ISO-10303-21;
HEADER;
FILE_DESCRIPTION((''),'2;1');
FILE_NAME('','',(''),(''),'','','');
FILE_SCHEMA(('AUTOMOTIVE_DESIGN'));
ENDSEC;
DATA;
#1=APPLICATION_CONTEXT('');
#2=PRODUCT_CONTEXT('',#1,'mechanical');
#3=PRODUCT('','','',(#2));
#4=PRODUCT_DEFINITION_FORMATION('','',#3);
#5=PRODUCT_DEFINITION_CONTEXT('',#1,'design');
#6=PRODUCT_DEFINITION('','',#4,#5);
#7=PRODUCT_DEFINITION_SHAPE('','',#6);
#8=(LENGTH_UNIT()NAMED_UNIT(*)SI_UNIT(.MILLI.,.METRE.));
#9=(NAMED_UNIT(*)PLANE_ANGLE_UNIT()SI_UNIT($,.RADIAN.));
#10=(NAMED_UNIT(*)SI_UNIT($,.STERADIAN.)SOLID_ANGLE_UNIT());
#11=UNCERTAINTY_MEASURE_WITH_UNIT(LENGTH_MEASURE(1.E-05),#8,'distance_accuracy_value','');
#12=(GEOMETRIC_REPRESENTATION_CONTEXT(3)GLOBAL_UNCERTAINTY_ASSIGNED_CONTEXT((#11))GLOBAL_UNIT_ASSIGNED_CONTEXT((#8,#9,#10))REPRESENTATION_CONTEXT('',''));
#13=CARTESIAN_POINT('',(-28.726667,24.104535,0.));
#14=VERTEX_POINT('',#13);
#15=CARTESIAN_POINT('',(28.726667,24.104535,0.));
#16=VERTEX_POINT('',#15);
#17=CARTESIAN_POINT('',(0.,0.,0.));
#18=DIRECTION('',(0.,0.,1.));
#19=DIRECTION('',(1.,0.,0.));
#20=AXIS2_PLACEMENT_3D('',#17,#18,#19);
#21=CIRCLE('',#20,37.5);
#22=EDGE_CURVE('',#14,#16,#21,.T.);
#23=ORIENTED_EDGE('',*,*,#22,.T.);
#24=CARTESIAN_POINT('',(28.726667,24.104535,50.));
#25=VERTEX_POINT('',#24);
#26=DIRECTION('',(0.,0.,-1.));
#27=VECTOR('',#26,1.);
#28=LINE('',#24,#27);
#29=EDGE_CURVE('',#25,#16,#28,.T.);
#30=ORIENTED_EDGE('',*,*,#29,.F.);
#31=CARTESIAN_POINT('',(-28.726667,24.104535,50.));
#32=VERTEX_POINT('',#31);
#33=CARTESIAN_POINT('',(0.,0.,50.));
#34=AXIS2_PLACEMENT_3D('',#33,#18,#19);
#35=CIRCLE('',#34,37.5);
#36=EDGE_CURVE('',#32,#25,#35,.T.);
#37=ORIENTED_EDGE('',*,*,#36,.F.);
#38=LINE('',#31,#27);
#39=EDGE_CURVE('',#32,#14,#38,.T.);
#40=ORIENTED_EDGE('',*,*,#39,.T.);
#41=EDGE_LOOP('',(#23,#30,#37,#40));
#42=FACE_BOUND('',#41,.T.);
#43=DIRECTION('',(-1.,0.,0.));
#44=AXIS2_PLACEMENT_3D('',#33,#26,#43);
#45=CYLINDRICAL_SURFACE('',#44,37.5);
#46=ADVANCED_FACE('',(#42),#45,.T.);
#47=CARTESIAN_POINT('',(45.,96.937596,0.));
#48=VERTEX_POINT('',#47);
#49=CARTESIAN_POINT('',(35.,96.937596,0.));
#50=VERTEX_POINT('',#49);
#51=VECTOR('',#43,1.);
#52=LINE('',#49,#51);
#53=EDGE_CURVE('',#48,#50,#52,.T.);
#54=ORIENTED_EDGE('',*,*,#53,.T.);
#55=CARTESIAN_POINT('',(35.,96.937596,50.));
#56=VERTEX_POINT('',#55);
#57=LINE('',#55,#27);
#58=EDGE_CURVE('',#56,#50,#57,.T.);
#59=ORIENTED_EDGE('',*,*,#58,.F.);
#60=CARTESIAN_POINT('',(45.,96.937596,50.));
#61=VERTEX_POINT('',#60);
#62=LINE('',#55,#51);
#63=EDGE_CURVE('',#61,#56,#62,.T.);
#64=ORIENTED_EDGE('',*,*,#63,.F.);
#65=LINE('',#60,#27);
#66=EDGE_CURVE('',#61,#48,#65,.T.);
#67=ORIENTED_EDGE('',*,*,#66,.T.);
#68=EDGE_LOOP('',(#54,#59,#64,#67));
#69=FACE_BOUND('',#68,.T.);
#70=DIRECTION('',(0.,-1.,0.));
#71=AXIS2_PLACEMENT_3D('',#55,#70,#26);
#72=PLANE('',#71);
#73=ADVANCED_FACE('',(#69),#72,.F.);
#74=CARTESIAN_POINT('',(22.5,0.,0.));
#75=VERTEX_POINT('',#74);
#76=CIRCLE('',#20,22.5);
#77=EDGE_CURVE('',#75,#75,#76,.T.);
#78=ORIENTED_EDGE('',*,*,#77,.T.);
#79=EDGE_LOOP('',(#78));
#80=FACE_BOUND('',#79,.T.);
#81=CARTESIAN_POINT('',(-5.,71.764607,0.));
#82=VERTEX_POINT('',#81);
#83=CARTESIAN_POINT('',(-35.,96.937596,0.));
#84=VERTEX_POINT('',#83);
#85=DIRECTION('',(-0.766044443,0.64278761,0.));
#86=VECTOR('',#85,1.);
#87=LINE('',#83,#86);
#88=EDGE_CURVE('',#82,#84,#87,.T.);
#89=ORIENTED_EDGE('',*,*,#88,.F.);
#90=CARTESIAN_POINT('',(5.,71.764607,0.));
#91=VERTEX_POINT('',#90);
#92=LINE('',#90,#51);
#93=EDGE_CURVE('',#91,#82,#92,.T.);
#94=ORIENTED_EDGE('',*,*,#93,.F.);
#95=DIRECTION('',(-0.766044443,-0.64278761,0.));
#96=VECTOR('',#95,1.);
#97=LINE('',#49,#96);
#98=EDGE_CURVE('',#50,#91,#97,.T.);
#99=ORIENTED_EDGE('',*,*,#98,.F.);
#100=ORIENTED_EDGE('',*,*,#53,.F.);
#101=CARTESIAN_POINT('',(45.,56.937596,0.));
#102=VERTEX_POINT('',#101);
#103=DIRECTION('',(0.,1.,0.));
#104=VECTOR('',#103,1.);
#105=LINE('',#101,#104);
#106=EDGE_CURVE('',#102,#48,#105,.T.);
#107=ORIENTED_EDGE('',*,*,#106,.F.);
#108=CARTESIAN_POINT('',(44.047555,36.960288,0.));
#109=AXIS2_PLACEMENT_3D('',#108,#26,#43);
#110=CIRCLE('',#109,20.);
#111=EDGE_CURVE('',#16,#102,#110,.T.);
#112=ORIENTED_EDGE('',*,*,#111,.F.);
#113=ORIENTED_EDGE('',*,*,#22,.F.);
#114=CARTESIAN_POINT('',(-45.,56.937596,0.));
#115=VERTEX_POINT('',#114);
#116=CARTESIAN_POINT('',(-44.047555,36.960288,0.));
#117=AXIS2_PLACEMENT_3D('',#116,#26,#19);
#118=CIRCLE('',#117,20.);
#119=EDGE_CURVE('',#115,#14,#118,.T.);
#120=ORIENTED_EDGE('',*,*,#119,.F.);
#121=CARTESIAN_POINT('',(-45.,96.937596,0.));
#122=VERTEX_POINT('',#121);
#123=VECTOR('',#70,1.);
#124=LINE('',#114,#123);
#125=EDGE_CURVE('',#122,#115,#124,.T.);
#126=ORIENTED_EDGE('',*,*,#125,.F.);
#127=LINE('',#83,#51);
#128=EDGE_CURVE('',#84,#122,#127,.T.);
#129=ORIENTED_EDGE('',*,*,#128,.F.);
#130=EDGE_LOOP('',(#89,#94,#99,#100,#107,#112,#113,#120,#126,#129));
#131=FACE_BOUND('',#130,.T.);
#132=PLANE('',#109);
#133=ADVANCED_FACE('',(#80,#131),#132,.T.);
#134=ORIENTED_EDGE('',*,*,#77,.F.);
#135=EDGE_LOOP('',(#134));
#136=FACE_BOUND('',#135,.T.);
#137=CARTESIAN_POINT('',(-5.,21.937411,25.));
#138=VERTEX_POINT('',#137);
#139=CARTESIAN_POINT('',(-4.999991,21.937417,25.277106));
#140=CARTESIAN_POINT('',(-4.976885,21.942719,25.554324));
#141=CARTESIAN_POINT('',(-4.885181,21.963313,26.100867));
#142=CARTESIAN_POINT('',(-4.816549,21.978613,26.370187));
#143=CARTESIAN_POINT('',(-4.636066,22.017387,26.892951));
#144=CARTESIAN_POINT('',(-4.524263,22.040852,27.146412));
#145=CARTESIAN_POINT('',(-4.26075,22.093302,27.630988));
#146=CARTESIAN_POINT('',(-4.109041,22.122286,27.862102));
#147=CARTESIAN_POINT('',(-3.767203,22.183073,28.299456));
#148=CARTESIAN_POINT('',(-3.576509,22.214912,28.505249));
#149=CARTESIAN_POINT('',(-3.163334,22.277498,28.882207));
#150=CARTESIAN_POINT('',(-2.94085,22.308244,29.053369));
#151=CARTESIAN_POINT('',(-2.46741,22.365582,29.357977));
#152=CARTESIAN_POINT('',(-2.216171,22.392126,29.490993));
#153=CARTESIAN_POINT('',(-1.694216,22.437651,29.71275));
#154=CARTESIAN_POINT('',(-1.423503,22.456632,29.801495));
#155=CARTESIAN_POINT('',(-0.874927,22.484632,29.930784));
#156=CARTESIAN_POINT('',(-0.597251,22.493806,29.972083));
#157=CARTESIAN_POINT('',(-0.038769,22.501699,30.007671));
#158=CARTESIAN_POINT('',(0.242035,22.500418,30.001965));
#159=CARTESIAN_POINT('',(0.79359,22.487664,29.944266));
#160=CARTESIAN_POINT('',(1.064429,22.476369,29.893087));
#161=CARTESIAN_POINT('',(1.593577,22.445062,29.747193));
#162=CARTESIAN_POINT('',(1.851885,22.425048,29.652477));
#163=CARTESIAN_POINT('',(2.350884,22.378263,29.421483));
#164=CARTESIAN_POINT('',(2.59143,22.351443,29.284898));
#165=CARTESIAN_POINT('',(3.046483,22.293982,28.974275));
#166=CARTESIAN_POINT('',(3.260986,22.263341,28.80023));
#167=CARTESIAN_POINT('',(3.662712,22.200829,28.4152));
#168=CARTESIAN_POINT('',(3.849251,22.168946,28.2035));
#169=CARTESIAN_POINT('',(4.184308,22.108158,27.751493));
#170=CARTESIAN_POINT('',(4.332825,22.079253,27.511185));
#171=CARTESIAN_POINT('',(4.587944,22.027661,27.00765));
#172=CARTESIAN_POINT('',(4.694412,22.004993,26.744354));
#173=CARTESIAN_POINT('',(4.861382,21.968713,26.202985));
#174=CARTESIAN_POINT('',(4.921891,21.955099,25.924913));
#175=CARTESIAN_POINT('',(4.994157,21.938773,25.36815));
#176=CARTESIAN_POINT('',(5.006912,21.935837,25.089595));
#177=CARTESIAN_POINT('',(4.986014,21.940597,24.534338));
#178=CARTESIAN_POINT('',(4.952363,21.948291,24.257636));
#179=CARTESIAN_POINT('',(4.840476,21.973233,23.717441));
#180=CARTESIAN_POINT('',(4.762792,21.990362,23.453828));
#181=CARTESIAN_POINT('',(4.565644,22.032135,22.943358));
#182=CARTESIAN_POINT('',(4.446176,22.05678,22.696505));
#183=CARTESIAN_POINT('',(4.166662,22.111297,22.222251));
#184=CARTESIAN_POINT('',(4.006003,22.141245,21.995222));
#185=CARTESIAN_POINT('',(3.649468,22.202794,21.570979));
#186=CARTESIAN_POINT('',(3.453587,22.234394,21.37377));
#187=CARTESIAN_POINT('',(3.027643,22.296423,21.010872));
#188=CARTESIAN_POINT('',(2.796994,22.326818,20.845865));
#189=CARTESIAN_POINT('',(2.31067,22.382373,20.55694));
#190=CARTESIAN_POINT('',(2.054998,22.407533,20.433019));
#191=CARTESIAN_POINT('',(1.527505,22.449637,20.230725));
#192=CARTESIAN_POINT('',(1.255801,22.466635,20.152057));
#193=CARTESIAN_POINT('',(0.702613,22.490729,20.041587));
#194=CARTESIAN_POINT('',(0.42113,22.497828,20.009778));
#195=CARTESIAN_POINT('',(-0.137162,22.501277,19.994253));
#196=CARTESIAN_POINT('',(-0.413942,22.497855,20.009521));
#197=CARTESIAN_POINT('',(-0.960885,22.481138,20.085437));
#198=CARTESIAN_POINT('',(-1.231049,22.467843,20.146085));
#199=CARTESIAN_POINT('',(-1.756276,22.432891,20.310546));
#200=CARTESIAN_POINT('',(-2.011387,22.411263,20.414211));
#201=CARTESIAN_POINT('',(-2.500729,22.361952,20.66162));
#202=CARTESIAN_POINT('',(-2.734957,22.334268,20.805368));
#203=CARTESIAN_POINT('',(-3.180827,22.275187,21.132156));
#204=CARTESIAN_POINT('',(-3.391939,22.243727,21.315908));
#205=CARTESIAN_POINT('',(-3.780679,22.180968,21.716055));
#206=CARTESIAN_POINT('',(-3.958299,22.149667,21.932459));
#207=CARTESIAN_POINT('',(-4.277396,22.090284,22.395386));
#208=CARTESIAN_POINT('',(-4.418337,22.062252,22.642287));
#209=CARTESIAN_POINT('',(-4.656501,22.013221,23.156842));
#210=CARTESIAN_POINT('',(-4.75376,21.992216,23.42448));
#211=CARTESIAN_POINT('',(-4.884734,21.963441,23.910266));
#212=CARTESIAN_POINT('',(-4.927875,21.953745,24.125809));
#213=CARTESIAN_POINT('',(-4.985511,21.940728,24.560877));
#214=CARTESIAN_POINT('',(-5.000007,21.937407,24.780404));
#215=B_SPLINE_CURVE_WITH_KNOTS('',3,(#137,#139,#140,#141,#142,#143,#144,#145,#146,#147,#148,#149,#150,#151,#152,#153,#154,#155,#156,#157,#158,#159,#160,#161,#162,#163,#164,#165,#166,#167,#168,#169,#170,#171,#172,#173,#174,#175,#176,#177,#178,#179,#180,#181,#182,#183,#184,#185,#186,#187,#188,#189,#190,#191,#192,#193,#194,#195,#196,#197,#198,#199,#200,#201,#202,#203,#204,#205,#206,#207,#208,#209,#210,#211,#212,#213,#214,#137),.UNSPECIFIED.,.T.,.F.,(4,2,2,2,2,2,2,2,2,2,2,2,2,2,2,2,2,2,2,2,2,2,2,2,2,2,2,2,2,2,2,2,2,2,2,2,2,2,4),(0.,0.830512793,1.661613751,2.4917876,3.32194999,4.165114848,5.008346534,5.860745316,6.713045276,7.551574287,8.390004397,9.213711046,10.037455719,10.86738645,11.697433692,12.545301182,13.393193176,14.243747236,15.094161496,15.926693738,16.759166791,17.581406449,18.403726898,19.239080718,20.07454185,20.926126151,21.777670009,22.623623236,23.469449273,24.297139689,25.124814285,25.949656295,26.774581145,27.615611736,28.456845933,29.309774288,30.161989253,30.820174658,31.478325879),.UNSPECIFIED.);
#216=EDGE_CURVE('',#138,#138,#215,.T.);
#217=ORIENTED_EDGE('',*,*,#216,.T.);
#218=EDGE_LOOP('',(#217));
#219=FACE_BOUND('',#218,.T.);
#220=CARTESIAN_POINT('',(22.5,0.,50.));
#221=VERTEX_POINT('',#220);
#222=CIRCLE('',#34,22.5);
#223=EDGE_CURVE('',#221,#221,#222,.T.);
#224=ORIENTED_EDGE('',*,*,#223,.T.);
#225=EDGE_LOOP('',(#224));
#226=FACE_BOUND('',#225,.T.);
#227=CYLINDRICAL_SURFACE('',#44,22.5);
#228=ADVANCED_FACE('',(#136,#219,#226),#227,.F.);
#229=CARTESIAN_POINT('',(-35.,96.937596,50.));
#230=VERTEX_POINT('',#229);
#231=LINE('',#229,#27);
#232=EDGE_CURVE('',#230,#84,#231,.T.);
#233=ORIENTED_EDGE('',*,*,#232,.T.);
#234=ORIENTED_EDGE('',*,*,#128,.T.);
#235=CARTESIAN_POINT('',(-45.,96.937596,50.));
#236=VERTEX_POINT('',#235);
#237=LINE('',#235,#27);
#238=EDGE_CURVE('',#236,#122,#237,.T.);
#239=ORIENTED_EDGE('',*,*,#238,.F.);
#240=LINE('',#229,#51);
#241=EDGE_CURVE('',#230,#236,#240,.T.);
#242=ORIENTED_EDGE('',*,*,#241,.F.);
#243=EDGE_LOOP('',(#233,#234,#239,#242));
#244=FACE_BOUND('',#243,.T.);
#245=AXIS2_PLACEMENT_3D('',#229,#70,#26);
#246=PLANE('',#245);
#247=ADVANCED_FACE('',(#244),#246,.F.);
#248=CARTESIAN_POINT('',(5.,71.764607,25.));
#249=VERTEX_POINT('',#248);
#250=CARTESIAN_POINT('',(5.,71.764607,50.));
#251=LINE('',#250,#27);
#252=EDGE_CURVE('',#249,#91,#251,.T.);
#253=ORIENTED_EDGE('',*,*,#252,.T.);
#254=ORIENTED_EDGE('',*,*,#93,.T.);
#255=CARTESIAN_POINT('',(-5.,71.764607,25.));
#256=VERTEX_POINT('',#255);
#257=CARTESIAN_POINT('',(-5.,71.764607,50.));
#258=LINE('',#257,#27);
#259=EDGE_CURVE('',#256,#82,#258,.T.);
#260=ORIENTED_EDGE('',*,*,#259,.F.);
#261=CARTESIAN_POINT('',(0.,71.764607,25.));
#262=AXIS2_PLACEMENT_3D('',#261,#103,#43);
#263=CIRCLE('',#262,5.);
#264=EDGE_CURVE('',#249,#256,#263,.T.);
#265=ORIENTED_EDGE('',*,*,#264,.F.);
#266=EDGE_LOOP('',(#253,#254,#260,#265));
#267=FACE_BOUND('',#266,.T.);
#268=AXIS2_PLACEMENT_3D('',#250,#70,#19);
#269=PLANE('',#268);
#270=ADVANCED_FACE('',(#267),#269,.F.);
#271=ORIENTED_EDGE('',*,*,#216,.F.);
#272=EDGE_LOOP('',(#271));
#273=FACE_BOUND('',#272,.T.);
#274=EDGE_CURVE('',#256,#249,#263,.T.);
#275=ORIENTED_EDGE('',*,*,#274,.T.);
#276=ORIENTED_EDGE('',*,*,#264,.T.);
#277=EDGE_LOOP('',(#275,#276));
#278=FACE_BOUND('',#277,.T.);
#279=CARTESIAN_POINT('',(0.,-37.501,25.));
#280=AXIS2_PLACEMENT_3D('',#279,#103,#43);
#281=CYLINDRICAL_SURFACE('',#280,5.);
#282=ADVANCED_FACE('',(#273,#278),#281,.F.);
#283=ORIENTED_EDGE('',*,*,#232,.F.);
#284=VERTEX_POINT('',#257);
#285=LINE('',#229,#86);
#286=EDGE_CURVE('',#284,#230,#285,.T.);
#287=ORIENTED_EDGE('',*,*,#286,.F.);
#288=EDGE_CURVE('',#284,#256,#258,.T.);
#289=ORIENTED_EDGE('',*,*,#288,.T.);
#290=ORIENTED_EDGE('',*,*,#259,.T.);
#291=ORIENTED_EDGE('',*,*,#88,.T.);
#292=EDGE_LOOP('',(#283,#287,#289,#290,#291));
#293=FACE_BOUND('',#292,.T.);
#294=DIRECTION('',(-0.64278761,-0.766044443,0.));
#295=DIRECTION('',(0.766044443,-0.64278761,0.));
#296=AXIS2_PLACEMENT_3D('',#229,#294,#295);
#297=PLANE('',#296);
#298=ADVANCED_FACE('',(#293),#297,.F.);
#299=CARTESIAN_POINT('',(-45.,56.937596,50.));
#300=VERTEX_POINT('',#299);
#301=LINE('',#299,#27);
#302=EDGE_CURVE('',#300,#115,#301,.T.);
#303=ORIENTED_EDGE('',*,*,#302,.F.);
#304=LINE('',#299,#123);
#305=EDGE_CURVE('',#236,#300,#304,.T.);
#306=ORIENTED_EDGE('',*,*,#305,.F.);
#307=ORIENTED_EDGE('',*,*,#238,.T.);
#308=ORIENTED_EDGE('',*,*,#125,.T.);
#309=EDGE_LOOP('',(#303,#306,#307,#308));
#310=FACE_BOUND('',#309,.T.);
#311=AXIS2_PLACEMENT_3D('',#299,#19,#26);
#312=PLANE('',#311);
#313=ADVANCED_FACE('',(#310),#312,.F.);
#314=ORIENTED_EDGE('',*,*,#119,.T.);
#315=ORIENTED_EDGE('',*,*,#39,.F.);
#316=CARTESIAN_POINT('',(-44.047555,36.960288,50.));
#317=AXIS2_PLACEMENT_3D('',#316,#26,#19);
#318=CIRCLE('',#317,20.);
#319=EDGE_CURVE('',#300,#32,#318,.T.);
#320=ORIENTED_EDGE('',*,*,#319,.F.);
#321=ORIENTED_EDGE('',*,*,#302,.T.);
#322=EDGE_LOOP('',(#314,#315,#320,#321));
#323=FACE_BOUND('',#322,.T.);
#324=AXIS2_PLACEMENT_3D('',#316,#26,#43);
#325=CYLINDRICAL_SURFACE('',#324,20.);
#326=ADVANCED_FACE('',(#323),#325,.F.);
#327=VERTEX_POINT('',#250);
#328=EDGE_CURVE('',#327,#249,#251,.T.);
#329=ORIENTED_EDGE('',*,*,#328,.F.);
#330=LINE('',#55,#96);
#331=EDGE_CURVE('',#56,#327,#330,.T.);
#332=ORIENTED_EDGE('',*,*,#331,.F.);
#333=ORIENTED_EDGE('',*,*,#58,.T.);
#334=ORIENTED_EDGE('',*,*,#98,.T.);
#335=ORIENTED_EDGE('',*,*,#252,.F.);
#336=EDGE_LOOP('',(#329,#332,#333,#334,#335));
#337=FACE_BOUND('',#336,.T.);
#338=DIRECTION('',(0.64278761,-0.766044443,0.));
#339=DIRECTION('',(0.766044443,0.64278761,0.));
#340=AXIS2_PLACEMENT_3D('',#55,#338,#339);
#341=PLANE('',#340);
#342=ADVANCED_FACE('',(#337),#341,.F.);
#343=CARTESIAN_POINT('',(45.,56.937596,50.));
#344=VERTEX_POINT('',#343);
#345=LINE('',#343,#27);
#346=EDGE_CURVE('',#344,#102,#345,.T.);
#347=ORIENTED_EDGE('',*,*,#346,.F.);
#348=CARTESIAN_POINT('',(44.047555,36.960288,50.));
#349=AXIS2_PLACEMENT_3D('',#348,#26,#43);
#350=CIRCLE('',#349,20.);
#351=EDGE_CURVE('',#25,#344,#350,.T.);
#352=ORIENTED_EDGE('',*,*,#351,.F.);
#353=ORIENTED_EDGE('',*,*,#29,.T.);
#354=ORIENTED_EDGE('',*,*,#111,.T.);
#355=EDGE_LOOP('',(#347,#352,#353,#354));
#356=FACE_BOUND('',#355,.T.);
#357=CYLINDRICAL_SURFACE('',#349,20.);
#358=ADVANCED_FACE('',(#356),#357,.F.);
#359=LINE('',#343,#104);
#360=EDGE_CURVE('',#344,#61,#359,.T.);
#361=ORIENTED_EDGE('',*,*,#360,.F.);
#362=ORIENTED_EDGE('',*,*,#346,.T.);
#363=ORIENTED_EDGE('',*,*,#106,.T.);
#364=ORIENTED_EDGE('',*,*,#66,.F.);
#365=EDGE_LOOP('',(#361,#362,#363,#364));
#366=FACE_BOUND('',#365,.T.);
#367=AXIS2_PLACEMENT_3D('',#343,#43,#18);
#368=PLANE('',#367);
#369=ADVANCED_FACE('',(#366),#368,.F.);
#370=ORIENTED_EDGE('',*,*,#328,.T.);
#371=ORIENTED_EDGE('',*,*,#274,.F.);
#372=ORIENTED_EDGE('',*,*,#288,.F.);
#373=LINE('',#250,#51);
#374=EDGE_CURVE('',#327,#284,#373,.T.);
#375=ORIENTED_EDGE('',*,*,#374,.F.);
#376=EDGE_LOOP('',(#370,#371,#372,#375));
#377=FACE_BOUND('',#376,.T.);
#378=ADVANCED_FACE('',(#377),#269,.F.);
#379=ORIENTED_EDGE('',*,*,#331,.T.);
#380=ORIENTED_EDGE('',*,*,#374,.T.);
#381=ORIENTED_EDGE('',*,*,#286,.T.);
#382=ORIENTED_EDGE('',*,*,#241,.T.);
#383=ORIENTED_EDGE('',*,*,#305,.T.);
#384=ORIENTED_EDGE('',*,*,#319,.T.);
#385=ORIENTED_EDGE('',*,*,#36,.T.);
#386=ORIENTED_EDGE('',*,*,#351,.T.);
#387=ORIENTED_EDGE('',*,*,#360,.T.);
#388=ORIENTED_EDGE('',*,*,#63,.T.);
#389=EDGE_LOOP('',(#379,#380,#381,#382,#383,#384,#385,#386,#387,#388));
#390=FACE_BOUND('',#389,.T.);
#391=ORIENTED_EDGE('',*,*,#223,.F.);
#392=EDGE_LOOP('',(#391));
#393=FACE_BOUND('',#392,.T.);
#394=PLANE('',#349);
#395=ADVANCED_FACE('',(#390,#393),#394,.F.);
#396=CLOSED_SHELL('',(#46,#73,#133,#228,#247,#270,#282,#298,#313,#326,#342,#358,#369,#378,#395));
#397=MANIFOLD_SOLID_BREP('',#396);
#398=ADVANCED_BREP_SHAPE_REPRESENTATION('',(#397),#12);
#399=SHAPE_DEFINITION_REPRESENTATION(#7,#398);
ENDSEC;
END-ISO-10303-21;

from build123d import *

# Parameters (mm, degrees)
SKETCH1_R               = 22.5
BOSS_EXTRUDE1_DEPTH     = 50
CUT_EXTRUDE1_REACH      = 130.311
CUT_EXTRUDE1_END_RADIUS = 22.5
SKETCH2_R               = 5


with BuildPart() as part:
    # Sketch1 → Boss-Extrude1 (new body)
    with BuildSketch(Plane.XY):
        with BuildLine():
            Line((45, 56.93759592), (45, 96.93759592))
            Line((45, 96.93759592), (35, 96.93759592))
            Line((35, 96.93759592), (5, 71.764606985))
            Line((5, 71.764606985), (-5, 71.764606985))
            Line((-5, 71.764606985), (-35, 96.93759592))
            Line((-35, 96.93759592), (-45, 96.93759592))
            Line((-45, 96.93759592), (-45, 56.93759592))
            ThreePointArc((-45, 56.93759592), (-26.127859204, 45.841981394), (-28.726666617, 24.104535363))
            ThreePointArc((-28.726666617, 24.104535363), (0, -37.5), (28.726666617, 24.104535363))
            ThreePointArc((28.726666617, 24.104535363), (26.127859204, 45.841981394), (45, 56.93759592))
        make_face()
        Circle(SKETCH1_R, mode=Mode.SUBTRACT)
    extrude(amount=BOSS_EXTRUDE1_DEPTH)

    # Cut-Extrude1: up to this cylinder (the profile starts outside it)
    cut_extrude1_end = Plane(origin=(0, 0, 25), z_dir=(0, 0, -1)) * Cylinder(CUT_EXTRUDE1_END_RADIUS, 306.622, mode=Mode.PRIVATE)
    # Sketch2 → Cut-Extrude1 (cut, up to the surface)
    with BuildSketch(Plane(origin=(0, 71.764606985, 0), x_dir=(1, 0, 0), z_dir=(0, 1, 0)), mode=Mode.PRIVATE) as cut_extrude1_sk1:
        with Locations(Location((0, -25, 0), (0, 0, 180))):
            Circle(SKETCH2_R)
    cut_extrude1_tool1 = extrude(cut_extrude1_sk1.sketch, amount=-CUT_EXTRUDE1_REACH, mode=Mode.PRIVATE) - cut_extrude1_end
    add(cut_extrude1_tool1.solids().sort_by_distance((0, 71.764607, 25))[0], mode=Mode.SUBTRACT)


solid = part.part
